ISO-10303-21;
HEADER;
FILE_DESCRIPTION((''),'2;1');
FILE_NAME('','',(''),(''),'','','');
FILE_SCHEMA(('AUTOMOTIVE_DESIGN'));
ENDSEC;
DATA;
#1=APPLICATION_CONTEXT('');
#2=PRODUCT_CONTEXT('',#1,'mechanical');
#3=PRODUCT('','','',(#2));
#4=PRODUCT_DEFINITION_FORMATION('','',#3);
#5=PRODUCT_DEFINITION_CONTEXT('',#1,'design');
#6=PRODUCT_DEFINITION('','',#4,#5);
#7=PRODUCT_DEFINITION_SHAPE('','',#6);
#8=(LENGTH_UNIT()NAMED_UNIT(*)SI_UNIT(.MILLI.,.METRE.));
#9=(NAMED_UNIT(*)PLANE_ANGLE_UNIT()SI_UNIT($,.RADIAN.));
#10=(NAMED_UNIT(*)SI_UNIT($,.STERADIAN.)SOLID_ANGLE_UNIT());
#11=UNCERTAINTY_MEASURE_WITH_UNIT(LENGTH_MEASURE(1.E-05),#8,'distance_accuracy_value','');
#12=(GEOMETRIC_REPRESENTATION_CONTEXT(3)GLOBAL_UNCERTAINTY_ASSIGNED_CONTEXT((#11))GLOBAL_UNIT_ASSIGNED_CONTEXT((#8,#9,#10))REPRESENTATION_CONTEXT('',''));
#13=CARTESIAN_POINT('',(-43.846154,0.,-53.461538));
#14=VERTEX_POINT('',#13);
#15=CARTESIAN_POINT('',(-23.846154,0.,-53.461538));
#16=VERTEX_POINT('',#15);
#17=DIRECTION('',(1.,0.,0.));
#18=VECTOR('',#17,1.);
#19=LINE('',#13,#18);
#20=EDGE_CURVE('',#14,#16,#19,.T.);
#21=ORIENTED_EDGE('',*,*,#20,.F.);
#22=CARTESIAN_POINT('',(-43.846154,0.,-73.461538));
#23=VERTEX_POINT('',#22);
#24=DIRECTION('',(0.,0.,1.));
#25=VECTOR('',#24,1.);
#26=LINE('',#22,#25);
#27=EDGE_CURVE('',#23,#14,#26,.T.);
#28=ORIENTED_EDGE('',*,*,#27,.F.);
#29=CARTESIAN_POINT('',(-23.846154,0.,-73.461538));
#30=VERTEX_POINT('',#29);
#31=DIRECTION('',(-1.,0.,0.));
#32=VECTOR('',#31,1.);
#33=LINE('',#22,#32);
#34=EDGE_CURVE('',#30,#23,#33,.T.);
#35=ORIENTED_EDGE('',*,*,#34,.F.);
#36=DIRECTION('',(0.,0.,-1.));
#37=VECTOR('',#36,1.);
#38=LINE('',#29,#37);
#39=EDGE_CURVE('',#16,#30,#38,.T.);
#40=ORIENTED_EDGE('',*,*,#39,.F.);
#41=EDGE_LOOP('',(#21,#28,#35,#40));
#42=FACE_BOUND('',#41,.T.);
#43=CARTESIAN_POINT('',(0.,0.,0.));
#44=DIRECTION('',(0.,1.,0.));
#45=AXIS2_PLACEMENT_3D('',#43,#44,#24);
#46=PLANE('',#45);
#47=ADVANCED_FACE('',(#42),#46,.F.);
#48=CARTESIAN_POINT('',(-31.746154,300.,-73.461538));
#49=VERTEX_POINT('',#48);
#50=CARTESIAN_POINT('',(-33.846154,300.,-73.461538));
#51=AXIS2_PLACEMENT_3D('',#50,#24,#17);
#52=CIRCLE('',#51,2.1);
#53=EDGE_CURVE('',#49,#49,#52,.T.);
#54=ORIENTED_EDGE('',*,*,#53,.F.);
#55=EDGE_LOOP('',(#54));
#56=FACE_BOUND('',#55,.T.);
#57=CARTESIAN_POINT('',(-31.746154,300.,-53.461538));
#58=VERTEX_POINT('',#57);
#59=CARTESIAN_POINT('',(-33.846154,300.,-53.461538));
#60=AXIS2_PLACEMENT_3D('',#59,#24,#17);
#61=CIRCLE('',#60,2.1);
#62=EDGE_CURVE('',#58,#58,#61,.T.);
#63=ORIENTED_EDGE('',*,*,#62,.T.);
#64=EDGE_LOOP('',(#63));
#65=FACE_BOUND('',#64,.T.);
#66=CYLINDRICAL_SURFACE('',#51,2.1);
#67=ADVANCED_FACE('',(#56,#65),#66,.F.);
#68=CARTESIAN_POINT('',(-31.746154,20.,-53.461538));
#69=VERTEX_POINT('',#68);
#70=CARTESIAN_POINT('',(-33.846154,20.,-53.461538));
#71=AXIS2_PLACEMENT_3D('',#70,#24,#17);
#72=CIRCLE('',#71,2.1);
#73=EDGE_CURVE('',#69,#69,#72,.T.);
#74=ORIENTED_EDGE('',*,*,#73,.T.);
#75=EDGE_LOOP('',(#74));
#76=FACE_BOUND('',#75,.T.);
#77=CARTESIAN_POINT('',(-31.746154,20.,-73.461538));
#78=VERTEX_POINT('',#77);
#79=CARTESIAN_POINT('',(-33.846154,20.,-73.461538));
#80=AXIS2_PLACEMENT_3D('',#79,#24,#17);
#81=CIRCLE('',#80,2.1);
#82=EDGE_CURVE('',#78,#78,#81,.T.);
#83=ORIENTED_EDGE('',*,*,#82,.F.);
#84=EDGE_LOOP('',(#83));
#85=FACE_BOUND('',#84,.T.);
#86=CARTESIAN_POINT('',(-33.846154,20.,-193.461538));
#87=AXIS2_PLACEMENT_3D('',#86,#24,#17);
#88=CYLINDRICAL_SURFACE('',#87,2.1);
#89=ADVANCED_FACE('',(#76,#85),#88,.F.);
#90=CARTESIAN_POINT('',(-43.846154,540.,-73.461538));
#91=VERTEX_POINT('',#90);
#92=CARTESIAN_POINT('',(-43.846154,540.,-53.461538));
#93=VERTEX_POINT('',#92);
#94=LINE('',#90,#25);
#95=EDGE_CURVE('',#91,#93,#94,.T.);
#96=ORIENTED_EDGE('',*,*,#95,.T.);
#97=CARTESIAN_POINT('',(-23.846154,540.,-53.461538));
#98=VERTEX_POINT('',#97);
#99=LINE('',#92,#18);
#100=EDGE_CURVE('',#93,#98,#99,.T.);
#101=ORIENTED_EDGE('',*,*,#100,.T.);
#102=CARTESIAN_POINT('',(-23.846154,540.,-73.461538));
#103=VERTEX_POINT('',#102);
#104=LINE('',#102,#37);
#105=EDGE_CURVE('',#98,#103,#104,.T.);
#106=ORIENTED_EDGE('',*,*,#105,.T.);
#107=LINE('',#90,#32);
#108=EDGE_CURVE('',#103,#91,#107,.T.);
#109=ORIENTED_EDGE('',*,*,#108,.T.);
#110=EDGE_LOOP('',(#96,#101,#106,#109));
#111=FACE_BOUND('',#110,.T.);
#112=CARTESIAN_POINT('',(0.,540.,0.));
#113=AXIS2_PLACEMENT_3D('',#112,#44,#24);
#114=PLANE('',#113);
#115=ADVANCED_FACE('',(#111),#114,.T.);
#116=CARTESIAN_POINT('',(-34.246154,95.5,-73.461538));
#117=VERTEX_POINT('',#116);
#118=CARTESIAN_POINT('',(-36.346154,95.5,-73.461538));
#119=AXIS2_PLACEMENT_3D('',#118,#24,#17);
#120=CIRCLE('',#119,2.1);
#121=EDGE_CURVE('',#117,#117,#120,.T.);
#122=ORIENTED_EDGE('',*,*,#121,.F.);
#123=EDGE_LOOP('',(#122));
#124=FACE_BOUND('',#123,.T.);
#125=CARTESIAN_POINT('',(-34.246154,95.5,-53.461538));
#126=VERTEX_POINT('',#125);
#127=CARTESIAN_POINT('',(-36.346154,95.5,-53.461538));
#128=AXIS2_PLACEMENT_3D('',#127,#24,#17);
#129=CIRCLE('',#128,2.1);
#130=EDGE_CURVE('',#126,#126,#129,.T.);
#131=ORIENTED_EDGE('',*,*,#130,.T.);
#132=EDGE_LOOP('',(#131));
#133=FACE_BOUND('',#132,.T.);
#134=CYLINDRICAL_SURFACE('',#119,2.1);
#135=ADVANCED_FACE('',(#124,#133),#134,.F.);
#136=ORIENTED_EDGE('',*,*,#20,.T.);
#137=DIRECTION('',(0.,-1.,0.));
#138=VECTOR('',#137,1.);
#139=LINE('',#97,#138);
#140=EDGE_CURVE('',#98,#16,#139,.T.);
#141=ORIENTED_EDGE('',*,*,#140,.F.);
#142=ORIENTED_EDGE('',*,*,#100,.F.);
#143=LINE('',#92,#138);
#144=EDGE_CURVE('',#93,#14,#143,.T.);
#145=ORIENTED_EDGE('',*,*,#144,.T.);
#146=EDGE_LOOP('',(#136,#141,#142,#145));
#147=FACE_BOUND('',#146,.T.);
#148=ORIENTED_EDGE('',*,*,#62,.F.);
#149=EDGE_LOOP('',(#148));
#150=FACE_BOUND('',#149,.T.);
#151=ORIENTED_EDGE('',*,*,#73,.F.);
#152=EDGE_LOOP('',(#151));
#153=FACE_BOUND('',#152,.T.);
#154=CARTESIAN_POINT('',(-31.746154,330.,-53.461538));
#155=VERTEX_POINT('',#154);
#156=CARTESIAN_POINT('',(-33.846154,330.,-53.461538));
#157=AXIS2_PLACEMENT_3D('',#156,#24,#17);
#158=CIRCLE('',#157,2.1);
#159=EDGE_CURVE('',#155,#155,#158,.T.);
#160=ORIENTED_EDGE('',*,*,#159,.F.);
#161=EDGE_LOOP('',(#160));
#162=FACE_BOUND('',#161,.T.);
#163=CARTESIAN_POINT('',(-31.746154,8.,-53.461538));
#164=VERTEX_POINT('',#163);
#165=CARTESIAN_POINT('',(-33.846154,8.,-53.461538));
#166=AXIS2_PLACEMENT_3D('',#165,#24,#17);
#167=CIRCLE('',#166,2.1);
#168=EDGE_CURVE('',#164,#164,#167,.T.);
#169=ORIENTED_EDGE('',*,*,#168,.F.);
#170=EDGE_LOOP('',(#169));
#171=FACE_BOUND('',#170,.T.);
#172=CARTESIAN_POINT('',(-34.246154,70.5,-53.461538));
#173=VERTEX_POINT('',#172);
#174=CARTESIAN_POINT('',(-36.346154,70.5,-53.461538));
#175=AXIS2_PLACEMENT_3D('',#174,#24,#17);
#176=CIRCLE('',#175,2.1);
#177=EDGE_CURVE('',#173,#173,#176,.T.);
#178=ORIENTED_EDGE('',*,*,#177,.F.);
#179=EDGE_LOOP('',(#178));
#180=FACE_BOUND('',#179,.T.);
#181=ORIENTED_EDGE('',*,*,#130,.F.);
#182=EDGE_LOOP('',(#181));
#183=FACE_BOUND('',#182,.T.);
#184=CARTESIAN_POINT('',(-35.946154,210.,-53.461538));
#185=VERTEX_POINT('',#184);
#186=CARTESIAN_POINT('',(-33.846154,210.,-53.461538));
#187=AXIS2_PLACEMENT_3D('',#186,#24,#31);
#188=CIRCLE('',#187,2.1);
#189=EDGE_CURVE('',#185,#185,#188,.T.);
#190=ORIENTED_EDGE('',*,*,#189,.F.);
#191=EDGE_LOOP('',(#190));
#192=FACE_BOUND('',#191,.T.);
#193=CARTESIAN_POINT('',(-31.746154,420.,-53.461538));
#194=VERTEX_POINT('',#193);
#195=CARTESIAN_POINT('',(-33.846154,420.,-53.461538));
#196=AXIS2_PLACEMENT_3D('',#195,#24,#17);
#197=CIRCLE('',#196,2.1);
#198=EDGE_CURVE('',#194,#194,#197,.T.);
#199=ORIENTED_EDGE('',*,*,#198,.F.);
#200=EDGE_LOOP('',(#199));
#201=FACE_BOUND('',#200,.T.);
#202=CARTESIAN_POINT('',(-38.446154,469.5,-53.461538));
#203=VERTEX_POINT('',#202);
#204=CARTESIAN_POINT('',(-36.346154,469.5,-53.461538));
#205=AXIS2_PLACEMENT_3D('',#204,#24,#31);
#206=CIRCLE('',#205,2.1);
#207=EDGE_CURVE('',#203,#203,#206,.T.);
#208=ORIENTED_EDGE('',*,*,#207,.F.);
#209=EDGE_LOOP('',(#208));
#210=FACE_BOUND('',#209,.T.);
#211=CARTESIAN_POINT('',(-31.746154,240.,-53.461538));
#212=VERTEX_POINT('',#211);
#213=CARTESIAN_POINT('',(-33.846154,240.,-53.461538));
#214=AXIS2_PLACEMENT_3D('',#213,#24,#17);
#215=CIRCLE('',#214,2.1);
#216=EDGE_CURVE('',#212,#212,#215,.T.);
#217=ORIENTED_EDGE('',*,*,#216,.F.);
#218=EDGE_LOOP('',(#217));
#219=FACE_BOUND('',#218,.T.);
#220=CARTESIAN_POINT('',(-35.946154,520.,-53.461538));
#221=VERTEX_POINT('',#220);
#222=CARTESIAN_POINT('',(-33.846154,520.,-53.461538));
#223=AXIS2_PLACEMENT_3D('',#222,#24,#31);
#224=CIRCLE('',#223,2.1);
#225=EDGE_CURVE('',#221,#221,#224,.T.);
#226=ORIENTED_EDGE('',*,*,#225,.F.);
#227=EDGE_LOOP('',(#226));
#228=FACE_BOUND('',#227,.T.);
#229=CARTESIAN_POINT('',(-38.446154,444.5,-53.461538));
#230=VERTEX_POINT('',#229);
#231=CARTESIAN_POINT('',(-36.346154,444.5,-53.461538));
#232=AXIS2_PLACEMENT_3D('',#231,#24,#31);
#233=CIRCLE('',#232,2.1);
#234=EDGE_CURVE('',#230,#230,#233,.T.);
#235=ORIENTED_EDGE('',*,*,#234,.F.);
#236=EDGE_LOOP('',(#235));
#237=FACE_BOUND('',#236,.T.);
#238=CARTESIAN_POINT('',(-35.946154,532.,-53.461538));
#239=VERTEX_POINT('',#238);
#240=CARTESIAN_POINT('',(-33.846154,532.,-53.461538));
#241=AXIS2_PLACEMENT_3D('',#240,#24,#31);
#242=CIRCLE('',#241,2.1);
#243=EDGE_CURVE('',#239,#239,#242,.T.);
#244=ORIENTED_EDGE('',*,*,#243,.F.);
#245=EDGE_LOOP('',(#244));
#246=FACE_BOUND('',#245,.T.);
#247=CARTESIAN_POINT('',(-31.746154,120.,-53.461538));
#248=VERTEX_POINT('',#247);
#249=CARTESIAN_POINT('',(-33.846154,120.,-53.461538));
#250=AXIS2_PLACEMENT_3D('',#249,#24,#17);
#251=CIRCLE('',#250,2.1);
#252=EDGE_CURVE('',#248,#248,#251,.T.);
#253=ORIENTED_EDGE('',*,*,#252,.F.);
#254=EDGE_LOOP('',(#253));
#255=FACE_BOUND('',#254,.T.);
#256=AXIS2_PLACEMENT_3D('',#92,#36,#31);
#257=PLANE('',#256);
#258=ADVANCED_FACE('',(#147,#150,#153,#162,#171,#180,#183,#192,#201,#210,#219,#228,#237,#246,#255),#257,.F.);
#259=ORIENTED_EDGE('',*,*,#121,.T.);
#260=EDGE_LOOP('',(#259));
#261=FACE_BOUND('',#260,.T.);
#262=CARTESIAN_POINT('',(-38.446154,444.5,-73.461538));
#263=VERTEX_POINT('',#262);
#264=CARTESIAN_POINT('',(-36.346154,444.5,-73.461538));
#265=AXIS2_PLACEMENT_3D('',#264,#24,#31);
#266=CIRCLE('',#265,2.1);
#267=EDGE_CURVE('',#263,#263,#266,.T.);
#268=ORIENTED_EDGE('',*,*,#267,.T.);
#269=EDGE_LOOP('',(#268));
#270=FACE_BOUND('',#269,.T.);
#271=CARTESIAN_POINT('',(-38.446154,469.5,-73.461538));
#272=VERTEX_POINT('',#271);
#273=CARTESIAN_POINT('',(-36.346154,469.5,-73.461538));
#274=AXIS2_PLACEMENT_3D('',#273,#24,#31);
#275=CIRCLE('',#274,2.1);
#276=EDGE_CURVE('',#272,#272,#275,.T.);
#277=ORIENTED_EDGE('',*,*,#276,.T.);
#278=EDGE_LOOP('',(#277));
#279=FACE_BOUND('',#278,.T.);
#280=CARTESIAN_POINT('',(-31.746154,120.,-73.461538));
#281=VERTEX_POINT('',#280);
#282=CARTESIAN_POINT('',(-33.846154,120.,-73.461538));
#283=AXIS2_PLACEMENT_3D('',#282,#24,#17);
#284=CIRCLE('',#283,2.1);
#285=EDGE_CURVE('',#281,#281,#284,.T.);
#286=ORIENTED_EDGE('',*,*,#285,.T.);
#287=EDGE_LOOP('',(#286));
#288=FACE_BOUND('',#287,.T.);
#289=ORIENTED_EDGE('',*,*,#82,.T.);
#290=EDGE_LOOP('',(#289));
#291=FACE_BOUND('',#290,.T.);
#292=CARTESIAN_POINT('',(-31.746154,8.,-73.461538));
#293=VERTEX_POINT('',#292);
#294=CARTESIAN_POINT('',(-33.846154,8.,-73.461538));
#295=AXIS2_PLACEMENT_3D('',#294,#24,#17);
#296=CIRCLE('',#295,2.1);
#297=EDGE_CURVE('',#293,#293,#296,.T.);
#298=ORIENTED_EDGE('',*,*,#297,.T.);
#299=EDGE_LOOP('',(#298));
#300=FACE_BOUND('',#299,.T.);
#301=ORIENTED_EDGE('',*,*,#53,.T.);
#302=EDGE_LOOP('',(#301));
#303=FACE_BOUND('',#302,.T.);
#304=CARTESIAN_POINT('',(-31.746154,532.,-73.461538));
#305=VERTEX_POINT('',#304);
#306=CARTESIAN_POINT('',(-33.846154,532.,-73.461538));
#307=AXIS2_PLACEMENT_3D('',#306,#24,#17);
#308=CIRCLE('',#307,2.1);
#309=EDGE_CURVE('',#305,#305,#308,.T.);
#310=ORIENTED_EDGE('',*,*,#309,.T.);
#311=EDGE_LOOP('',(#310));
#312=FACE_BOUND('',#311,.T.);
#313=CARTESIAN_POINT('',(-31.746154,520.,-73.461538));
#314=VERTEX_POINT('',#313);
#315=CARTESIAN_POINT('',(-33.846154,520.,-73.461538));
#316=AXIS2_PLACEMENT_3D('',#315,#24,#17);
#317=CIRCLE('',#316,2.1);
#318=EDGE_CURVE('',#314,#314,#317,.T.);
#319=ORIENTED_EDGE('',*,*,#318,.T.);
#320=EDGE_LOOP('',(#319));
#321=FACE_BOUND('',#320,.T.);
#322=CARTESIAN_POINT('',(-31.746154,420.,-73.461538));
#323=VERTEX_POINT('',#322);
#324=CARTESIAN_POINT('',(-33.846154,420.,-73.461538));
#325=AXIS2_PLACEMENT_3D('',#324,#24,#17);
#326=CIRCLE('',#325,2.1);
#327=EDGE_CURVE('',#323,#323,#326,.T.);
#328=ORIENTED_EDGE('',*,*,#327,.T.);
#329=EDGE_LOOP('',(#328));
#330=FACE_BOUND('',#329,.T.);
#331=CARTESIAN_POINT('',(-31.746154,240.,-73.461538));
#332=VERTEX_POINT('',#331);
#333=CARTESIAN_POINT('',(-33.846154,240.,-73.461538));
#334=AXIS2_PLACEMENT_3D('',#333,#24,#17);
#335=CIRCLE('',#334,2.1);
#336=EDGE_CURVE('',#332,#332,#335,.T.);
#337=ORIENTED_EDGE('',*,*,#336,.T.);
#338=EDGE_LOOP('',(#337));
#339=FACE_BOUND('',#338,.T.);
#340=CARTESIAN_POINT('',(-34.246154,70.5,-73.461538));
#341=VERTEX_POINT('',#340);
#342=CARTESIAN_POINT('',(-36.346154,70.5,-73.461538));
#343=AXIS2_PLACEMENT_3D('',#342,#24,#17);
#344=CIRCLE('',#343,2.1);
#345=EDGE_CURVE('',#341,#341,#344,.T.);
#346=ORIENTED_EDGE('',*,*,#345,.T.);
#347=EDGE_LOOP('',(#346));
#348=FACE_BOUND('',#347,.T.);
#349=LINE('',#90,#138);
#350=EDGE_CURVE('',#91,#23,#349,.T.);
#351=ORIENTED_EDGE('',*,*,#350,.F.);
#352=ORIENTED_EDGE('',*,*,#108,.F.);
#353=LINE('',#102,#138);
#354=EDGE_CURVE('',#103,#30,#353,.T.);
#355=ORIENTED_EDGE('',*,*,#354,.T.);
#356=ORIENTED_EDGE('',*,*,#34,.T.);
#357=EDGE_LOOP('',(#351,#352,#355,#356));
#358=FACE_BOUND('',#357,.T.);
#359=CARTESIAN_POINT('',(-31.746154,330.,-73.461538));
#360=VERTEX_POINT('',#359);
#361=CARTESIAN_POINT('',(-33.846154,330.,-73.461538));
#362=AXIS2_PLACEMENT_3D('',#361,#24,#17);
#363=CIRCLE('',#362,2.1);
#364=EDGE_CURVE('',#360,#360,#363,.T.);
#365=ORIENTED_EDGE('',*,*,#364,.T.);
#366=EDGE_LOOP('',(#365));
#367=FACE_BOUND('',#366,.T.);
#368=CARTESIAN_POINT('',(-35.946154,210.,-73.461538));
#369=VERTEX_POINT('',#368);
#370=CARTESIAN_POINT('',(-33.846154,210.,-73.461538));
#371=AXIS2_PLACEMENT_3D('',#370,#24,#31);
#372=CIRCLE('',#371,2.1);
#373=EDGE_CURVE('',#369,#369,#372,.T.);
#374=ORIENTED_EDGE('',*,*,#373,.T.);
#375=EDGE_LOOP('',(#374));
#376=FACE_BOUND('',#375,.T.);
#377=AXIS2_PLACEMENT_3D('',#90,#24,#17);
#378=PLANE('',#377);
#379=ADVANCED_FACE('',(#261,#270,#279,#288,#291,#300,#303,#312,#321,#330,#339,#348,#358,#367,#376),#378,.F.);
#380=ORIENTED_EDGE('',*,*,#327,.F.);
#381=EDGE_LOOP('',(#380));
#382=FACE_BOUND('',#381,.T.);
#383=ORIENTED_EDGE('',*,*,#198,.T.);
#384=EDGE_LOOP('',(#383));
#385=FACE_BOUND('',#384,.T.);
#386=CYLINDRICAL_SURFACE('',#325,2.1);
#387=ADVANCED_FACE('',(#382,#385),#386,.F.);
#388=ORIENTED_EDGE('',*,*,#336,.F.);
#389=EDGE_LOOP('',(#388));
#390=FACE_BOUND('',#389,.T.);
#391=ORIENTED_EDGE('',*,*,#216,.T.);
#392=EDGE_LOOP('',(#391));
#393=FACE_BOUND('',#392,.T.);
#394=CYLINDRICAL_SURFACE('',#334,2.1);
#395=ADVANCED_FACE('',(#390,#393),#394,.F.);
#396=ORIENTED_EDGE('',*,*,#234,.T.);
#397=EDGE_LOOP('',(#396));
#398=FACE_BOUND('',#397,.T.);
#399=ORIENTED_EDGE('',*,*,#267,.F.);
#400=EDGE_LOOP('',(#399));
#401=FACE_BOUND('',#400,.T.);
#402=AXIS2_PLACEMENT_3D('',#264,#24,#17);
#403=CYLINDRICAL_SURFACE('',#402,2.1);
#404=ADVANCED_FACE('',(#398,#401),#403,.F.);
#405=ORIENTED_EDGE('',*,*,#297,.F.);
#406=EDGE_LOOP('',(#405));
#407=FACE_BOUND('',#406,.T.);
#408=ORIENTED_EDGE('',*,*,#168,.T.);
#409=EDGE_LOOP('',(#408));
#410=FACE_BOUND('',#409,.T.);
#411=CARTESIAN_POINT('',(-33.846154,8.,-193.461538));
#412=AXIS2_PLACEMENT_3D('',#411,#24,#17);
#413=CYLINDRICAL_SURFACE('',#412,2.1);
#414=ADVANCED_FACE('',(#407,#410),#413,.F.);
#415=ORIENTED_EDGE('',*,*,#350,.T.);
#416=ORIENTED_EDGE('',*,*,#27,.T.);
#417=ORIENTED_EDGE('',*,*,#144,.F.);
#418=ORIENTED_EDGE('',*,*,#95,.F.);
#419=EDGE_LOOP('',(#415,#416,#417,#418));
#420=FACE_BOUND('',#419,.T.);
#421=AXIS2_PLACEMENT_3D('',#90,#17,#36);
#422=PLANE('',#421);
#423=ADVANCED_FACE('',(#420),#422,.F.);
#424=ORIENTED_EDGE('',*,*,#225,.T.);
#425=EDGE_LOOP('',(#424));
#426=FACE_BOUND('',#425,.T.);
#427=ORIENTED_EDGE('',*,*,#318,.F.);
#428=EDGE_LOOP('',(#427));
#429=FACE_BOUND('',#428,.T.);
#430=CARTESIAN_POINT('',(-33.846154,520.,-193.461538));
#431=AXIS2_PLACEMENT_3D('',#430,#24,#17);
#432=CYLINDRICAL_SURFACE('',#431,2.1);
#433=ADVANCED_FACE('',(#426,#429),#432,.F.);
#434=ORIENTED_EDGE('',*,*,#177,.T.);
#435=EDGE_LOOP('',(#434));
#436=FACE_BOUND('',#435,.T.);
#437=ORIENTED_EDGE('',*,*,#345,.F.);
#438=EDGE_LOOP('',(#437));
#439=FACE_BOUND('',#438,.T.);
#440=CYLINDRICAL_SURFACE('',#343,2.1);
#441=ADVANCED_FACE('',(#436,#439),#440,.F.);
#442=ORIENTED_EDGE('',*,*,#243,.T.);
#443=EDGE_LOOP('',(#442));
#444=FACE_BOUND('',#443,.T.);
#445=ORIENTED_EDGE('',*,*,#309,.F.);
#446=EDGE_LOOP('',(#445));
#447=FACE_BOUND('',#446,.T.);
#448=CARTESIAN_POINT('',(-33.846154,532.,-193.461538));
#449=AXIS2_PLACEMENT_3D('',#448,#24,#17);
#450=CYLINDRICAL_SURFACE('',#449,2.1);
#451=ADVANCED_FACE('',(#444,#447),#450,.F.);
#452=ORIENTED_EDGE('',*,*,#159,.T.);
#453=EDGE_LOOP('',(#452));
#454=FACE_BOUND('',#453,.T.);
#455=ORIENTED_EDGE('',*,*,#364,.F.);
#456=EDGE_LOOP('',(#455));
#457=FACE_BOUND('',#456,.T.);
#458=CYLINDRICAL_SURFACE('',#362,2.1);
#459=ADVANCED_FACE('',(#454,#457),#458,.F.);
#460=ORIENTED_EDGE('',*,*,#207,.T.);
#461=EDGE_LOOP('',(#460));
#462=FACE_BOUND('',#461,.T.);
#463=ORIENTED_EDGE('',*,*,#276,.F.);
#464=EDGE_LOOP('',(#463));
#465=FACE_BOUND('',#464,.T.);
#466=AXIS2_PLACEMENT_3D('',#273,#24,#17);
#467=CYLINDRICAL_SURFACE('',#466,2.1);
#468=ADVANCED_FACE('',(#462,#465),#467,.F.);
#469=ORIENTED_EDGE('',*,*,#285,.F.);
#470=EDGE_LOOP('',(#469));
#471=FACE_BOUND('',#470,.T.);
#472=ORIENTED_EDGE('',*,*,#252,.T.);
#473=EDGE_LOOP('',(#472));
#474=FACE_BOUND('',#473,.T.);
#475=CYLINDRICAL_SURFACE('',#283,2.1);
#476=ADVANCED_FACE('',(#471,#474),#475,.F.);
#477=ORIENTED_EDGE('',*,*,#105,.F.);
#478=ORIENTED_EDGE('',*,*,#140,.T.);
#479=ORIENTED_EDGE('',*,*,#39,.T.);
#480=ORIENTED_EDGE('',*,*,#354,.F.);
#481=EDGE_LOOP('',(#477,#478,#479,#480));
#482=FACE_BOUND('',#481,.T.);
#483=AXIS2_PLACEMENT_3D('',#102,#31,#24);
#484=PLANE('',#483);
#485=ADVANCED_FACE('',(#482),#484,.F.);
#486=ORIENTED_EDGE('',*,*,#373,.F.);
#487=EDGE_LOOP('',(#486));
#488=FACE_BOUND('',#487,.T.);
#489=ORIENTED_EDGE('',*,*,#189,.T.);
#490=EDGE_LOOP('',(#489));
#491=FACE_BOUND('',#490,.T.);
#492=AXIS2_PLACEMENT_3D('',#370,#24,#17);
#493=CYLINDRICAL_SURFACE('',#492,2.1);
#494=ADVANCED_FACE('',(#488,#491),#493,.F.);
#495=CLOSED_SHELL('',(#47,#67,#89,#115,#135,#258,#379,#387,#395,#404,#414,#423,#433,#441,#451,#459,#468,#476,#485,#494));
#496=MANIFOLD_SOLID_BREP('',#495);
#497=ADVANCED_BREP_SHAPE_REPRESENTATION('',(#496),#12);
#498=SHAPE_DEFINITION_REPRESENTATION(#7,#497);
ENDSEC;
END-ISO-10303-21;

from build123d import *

# Parameters (mm, degrees)
SKETCH_1_W          = 20
SKETCH_1_H          = 20
EXTRUDE_1_DEPTH     = 540
SKETCH_2_R          = 2.1
CUT_EXTRUDE_1_DEPTH = 543.146184352
SKETCH_3_R          = 2.1
CUT_EXTRUDE_2_DEPTH = 543.146184352
SKETCH_4_R          = 2.1
CUT_EXTRUDE_3_DEPTH = 140


with BuildPart() as part:
    # 草图1 → 凸台-拉伸1 (new body)
    with BuildSketch(Plane(origin=(0, 0, 0), x_dir=(1, 0, 0), z_dir=(0, 1, 0))):
        with Locations((-33.846153846, 63.461538462)):
            Rectangle(SKETCH_1_W, SKETCH_1_H)
    extrude(amount=EXTRUDE_1_DEPTH)

    # 草图2 → 切除-拉伸1 (cut, through all)
    with BuildSketch(Plane.XY.offset(-53.461538462)):
        with Locations((-33.846153846, 330)):
            Circle(SKETCH_2_R)
        with Locations(Location((-33.846153846, 210, 0), (0, 0, 180))):
            Circle(SKETCH_2_R)
        with Locations((-33.846153846, 420)):
            Circle(SKETCH_2_R)
        with Locations((-33.846153846, 300)):
            Circle(SKETCH_2_R)
        with Locations((-33.846153846, 240)):
            Circle(SKETCH_2_R)
        with Locations((-33.846153846, 120)):
            Circle(SKETCH_2_R)
    extrude(amount=-CUT_EXTRUDE_1_DEPTH, mode=Mode.SUBTRACT)

    # 草图3 → 切除-拉伸2 (cut, through all)
    with BuildSketch(Plane.XY.offset(-53.461538462)):
        with Locations((-36.346153846, 70.5)):
            Circle(SKETCH_3_R)
        with Locations((-36.346153846, 95.5)):
            Circle(SKETCH_3_R)
        with Locations(Location((-36.346153846, 444.5, 0), (0, 0, 180))):
            Circle(SKETCH_3_R)
        with Locations(Location((-36.346153846, 469.5, 0), (0, 0, 180))):
            Circle(SKETCH_3_R)
    extrude(amount=-CUT_EXTRUDE_2_DEPTH, mode=Mode.SUBTRACT)

    # 草图4 → 切除-拉伸3 (cut)
    with BuildSketch(Plane.XY.offset(-53.461538462)):
        with Locations((-33.846153846, 8)):
            Circle(SKETCH_4_R)
        with Locations((-33.846153846, 20)):
            Circle(SKETCH_4_R)
        with Locations((-33.846153846, 520)):
            Circle(SKETCH_4_R)
        with Locations((-33.846153846, 532)):
            Circle(SKETCH_4_R)
    extrude(amount=-CUT_EXTRUDE_3_DEPTH, mode=Mode.SUBTRACT)


solid = part.part
